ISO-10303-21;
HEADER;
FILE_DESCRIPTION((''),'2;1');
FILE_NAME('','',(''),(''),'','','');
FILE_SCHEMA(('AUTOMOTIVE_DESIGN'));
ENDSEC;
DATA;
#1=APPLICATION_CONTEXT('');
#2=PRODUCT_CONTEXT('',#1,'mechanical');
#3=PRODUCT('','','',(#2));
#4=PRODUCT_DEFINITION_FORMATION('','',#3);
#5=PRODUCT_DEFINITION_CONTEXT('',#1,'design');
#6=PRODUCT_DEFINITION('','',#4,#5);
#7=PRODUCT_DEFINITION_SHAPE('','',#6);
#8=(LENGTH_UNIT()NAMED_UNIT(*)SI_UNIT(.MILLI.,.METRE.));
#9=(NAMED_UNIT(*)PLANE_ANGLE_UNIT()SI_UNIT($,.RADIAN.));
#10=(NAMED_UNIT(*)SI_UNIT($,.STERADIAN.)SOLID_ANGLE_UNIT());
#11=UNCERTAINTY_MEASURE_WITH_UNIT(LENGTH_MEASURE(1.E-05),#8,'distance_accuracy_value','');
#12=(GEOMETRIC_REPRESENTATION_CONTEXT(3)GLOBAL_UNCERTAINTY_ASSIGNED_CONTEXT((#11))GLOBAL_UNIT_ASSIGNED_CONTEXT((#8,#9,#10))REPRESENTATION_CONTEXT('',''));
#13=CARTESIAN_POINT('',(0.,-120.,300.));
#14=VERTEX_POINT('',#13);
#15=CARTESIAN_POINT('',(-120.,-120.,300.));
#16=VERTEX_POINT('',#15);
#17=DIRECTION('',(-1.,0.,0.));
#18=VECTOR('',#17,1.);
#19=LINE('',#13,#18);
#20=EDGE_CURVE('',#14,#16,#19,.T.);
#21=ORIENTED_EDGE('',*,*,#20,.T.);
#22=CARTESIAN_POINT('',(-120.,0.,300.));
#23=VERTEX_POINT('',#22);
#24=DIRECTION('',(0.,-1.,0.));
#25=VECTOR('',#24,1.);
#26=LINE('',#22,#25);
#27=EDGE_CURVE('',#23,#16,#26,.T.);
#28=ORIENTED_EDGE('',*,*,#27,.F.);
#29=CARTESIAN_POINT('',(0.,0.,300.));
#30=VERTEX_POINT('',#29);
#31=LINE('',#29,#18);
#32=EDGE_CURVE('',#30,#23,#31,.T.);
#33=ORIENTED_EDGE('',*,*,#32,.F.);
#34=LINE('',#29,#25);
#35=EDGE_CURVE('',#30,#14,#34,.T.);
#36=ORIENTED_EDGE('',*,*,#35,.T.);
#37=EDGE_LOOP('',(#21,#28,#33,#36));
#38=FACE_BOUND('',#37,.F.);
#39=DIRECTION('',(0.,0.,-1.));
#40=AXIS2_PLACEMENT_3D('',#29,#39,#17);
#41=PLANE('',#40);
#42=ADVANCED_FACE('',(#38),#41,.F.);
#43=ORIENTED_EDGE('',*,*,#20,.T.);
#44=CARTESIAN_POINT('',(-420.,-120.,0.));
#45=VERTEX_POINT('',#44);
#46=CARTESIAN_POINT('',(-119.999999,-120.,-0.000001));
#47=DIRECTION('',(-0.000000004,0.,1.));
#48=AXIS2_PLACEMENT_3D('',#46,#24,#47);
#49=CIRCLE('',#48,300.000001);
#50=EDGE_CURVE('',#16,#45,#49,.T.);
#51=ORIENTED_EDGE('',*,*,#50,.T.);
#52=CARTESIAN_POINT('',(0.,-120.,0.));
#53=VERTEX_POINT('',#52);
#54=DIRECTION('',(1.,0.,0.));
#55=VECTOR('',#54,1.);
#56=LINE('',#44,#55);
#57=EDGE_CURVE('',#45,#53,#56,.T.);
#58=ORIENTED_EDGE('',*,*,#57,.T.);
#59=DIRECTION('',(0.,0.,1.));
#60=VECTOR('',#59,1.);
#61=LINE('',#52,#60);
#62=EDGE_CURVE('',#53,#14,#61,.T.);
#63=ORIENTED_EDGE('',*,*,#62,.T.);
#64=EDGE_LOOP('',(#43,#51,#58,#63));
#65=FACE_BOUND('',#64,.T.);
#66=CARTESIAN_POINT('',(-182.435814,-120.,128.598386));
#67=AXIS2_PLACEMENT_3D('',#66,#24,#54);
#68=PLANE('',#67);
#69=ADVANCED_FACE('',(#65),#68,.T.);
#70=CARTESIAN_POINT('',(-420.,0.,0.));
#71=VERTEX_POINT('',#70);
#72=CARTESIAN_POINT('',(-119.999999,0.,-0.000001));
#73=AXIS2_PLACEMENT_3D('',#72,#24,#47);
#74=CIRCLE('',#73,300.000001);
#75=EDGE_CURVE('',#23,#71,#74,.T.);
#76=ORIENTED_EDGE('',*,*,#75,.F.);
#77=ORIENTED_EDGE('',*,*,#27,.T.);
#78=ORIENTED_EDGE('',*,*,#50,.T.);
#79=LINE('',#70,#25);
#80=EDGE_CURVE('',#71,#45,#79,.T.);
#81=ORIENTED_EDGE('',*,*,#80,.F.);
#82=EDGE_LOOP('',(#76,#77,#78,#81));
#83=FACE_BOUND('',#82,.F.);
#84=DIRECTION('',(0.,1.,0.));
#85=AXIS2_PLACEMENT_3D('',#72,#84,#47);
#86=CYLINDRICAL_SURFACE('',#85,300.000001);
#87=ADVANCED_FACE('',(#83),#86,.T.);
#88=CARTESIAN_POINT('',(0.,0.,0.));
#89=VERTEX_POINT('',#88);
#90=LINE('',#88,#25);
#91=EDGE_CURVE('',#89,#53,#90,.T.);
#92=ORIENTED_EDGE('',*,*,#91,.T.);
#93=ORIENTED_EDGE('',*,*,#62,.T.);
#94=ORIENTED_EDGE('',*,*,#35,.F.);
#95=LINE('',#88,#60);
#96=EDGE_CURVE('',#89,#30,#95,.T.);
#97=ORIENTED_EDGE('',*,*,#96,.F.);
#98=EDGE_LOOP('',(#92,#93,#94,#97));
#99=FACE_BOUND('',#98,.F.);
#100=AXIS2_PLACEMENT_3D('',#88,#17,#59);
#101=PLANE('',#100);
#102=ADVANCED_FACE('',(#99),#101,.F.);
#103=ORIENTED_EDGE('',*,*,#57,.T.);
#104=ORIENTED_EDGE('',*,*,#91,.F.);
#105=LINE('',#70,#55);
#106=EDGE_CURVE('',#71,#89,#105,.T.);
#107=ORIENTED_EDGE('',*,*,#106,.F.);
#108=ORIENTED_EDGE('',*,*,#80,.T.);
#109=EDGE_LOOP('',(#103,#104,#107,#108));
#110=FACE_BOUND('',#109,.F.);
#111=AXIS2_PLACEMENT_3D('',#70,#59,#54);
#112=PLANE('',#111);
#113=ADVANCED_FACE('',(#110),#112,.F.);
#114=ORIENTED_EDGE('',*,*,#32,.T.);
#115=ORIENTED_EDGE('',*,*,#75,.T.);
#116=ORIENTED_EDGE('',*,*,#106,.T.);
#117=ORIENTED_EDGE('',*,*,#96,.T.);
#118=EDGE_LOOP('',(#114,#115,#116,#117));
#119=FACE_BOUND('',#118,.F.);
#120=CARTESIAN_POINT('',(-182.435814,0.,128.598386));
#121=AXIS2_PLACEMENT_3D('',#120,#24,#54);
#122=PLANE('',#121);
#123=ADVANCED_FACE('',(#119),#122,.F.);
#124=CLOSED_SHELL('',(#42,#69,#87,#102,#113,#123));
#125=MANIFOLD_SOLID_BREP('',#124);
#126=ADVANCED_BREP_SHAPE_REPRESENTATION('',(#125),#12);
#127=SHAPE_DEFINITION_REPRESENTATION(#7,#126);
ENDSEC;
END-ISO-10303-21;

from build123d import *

# Parameters (mm, degrees)
F1_DEPTH = 120
F2_R     = 82.702624
F3_DEPTH = 25


with BuildPart() as f1:
    # F0 (on Front) → F1 (new body)
    with BuildSketch(Plane.XZ):
        with BuildLine():
            Line((-420, 0), (0, 0))
            Line((0, 0), (0, 300))
            Line((0, 300), (-120, 300))
            ThreePointArc((-120, 300), (-332.132034, 212.132034), (-420, 0))
        make_face()
    extrude(amount=F1_DEPTH)

    # F2 (on face) → F3 (cut)
    with BuildSketch(Plane.XZ.offset(120)):
        with Locations((-231.783316, 145.409659)):
            Circle(F2_R)
    extrude(amount=F3_DEPTH, mode=Mode.SUBTRACT)


solid = f1.part
